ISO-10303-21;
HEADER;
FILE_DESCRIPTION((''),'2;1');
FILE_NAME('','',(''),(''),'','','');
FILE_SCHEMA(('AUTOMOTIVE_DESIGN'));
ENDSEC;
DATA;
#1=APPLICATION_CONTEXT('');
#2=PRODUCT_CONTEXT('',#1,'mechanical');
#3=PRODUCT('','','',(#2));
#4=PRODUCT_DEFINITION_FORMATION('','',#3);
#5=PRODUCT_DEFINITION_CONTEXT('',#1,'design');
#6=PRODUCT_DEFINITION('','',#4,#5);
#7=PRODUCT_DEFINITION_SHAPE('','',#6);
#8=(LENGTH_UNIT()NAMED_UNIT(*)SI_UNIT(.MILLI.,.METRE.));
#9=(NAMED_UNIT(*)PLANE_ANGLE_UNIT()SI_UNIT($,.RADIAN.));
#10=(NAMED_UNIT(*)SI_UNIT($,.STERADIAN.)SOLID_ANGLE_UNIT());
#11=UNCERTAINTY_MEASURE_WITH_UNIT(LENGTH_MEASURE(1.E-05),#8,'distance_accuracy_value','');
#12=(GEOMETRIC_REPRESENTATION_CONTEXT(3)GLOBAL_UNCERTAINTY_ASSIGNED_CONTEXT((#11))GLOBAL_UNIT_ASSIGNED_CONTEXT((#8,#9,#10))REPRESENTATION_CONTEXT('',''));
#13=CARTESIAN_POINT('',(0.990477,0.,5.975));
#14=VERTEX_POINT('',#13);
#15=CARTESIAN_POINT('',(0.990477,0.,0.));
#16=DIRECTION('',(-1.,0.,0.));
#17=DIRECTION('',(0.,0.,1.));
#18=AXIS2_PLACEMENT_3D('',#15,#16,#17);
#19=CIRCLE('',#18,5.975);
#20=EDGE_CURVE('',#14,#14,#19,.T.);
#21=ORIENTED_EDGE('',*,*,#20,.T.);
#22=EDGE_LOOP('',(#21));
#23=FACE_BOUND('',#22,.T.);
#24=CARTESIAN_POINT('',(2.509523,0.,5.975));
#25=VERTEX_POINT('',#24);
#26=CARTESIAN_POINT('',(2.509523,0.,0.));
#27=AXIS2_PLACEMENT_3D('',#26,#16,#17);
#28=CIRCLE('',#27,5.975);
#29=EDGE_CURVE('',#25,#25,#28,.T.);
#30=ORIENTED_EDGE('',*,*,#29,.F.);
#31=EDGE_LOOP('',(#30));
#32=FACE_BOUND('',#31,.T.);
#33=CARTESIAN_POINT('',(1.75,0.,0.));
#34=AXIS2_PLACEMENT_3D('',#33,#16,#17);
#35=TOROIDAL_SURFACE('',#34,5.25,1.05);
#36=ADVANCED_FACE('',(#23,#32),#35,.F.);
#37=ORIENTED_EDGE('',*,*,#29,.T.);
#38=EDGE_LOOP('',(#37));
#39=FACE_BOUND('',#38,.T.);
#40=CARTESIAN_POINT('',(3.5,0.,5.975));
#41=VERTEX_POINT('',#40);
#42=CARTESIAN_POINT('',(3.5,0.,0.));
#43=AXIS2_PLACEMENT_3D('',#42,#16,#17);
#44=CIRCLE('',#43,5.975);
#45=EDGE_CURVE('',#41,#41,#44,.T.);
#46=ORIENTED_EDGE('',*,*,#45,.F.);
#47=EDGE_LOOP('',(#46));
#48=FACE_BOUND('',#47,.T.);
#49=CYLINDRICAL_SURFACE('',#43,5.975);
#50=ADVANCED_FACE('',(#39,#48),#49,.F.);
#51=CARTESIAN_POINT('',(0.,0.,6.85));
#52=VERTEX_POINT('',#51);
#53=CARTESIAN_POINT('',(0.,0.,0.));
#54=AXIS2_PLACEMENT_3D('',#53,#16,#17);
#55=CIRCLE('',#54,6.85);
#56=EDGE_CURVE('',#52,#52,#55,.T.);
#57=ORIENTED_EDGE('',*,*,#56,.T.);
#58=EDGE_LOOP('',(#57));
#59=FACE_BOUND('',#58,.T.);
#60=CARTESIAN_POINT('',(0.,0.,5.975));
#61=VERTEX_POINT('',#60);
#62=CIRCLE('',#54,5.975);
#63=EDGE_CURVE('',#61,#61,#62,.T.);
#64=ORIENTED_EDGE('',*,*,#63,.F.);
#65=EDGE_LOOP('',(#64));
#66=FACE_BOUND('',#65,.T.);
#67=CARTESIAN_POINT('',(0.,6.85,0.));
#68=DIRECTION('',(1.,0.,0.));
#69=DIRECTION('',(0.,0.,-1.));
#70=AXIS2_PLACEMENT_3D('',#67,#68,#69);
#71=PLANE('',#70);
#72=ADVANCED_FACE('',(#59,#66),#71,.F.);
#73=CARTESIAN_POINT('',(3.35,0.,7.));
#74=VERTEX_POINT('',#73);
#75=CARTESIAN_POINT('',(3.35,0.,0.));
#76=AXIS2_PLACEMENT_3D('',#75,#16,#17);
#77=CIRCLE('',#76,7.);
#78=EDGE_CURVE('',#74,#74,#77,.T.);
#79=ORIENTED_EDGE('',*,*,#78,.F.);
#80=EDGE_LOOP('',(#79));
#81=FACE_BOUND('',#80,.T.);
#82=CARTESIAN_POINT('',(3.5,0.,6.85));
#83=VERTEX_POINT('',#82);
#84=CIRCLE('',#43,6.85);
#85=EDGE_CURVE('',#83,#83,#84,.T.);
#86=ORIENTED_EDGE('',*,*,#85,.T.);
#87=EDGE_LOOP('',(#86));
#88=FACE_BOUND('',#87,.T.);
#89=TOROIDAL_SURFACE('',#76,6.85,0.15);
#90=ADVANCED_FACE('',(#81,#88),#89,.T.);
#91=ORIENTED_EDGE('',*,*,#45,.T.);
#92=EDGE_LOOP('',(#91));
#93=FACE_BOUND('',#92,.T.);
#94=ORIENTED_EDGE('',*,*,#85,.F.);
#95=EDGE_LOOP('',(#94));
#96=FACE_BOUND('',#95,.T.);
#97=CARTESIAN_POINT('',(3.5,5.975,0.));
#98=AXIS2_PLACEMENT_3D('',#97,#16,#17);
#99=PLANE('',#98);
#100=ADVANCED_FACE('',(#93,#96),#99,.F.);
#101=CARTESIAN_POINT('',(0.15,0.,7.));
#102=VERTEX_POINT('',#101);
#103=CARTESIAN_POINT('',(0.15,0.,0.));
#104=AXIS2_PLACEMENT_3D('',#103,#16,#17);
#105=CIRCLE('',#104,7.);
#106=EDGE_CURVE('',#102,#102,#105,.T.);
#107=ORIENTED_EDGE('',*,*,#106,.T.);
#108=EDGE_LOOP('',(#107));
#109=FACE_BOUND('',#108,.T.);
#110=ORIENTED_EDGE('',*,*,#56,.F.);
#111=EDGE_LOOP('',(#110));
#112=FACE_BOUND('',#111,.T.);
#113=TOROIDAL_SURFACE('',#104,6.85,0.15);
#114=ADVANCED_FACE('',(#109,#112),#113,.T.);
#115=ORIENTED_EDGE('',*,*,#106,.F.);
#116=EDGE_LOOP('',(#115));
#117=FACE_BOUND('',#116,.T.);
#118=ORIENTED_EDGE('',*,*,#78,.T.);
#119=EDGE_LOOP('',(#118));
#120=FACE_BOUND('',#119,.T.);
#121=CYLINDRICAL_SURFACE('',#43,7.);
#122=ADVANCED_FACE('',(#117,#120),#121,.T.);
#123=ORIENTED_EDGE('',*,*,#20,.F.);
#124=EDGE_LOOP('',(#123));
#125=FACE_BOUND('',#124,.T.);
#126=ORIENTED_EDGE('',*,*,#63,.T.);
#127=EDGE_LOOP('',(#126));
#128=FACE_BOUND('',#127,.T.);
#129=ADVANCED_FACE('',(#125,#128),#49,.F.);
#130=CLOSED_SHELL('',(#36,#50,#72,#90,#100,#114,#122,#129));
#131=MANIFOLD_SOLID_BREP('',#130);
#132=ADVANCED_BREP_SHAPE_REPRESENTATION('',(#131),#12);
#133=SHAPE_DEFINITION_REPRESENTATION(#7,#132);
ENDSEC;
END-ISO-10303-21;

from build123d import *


with BuildPart() as part:
    # Sketch1 → Revolve1 (revolve)
    with BuildSketch(Plane.XY):
        with BuildLine():
            Line((0, 6.85), (0, 5.975))
            Line((0, 5.975), (0.990477123, 5.975))
            ThreePointArc((0.990477123, 5.975), (1.75, 6.3), (2.509522877, 5.975))
            Line((2.509522877, 5.975), (3.5, 5.975))
            Line((3.5, 5.975), (3.5, 6.85))
            ThreePointArc((3.5, 6.85), (3.456066017, 6.956066017), (3.35, 7))
            Line((3.35, 7), (0.15, 7))
            ThreePointArc((0.15, 7), (0.043933983, 6.956066017), (0, 6.85))
        make_face()
    revolve(axis=Axis((3.5, 0, 0), (-1, 0, 0)))


solid = part.part
